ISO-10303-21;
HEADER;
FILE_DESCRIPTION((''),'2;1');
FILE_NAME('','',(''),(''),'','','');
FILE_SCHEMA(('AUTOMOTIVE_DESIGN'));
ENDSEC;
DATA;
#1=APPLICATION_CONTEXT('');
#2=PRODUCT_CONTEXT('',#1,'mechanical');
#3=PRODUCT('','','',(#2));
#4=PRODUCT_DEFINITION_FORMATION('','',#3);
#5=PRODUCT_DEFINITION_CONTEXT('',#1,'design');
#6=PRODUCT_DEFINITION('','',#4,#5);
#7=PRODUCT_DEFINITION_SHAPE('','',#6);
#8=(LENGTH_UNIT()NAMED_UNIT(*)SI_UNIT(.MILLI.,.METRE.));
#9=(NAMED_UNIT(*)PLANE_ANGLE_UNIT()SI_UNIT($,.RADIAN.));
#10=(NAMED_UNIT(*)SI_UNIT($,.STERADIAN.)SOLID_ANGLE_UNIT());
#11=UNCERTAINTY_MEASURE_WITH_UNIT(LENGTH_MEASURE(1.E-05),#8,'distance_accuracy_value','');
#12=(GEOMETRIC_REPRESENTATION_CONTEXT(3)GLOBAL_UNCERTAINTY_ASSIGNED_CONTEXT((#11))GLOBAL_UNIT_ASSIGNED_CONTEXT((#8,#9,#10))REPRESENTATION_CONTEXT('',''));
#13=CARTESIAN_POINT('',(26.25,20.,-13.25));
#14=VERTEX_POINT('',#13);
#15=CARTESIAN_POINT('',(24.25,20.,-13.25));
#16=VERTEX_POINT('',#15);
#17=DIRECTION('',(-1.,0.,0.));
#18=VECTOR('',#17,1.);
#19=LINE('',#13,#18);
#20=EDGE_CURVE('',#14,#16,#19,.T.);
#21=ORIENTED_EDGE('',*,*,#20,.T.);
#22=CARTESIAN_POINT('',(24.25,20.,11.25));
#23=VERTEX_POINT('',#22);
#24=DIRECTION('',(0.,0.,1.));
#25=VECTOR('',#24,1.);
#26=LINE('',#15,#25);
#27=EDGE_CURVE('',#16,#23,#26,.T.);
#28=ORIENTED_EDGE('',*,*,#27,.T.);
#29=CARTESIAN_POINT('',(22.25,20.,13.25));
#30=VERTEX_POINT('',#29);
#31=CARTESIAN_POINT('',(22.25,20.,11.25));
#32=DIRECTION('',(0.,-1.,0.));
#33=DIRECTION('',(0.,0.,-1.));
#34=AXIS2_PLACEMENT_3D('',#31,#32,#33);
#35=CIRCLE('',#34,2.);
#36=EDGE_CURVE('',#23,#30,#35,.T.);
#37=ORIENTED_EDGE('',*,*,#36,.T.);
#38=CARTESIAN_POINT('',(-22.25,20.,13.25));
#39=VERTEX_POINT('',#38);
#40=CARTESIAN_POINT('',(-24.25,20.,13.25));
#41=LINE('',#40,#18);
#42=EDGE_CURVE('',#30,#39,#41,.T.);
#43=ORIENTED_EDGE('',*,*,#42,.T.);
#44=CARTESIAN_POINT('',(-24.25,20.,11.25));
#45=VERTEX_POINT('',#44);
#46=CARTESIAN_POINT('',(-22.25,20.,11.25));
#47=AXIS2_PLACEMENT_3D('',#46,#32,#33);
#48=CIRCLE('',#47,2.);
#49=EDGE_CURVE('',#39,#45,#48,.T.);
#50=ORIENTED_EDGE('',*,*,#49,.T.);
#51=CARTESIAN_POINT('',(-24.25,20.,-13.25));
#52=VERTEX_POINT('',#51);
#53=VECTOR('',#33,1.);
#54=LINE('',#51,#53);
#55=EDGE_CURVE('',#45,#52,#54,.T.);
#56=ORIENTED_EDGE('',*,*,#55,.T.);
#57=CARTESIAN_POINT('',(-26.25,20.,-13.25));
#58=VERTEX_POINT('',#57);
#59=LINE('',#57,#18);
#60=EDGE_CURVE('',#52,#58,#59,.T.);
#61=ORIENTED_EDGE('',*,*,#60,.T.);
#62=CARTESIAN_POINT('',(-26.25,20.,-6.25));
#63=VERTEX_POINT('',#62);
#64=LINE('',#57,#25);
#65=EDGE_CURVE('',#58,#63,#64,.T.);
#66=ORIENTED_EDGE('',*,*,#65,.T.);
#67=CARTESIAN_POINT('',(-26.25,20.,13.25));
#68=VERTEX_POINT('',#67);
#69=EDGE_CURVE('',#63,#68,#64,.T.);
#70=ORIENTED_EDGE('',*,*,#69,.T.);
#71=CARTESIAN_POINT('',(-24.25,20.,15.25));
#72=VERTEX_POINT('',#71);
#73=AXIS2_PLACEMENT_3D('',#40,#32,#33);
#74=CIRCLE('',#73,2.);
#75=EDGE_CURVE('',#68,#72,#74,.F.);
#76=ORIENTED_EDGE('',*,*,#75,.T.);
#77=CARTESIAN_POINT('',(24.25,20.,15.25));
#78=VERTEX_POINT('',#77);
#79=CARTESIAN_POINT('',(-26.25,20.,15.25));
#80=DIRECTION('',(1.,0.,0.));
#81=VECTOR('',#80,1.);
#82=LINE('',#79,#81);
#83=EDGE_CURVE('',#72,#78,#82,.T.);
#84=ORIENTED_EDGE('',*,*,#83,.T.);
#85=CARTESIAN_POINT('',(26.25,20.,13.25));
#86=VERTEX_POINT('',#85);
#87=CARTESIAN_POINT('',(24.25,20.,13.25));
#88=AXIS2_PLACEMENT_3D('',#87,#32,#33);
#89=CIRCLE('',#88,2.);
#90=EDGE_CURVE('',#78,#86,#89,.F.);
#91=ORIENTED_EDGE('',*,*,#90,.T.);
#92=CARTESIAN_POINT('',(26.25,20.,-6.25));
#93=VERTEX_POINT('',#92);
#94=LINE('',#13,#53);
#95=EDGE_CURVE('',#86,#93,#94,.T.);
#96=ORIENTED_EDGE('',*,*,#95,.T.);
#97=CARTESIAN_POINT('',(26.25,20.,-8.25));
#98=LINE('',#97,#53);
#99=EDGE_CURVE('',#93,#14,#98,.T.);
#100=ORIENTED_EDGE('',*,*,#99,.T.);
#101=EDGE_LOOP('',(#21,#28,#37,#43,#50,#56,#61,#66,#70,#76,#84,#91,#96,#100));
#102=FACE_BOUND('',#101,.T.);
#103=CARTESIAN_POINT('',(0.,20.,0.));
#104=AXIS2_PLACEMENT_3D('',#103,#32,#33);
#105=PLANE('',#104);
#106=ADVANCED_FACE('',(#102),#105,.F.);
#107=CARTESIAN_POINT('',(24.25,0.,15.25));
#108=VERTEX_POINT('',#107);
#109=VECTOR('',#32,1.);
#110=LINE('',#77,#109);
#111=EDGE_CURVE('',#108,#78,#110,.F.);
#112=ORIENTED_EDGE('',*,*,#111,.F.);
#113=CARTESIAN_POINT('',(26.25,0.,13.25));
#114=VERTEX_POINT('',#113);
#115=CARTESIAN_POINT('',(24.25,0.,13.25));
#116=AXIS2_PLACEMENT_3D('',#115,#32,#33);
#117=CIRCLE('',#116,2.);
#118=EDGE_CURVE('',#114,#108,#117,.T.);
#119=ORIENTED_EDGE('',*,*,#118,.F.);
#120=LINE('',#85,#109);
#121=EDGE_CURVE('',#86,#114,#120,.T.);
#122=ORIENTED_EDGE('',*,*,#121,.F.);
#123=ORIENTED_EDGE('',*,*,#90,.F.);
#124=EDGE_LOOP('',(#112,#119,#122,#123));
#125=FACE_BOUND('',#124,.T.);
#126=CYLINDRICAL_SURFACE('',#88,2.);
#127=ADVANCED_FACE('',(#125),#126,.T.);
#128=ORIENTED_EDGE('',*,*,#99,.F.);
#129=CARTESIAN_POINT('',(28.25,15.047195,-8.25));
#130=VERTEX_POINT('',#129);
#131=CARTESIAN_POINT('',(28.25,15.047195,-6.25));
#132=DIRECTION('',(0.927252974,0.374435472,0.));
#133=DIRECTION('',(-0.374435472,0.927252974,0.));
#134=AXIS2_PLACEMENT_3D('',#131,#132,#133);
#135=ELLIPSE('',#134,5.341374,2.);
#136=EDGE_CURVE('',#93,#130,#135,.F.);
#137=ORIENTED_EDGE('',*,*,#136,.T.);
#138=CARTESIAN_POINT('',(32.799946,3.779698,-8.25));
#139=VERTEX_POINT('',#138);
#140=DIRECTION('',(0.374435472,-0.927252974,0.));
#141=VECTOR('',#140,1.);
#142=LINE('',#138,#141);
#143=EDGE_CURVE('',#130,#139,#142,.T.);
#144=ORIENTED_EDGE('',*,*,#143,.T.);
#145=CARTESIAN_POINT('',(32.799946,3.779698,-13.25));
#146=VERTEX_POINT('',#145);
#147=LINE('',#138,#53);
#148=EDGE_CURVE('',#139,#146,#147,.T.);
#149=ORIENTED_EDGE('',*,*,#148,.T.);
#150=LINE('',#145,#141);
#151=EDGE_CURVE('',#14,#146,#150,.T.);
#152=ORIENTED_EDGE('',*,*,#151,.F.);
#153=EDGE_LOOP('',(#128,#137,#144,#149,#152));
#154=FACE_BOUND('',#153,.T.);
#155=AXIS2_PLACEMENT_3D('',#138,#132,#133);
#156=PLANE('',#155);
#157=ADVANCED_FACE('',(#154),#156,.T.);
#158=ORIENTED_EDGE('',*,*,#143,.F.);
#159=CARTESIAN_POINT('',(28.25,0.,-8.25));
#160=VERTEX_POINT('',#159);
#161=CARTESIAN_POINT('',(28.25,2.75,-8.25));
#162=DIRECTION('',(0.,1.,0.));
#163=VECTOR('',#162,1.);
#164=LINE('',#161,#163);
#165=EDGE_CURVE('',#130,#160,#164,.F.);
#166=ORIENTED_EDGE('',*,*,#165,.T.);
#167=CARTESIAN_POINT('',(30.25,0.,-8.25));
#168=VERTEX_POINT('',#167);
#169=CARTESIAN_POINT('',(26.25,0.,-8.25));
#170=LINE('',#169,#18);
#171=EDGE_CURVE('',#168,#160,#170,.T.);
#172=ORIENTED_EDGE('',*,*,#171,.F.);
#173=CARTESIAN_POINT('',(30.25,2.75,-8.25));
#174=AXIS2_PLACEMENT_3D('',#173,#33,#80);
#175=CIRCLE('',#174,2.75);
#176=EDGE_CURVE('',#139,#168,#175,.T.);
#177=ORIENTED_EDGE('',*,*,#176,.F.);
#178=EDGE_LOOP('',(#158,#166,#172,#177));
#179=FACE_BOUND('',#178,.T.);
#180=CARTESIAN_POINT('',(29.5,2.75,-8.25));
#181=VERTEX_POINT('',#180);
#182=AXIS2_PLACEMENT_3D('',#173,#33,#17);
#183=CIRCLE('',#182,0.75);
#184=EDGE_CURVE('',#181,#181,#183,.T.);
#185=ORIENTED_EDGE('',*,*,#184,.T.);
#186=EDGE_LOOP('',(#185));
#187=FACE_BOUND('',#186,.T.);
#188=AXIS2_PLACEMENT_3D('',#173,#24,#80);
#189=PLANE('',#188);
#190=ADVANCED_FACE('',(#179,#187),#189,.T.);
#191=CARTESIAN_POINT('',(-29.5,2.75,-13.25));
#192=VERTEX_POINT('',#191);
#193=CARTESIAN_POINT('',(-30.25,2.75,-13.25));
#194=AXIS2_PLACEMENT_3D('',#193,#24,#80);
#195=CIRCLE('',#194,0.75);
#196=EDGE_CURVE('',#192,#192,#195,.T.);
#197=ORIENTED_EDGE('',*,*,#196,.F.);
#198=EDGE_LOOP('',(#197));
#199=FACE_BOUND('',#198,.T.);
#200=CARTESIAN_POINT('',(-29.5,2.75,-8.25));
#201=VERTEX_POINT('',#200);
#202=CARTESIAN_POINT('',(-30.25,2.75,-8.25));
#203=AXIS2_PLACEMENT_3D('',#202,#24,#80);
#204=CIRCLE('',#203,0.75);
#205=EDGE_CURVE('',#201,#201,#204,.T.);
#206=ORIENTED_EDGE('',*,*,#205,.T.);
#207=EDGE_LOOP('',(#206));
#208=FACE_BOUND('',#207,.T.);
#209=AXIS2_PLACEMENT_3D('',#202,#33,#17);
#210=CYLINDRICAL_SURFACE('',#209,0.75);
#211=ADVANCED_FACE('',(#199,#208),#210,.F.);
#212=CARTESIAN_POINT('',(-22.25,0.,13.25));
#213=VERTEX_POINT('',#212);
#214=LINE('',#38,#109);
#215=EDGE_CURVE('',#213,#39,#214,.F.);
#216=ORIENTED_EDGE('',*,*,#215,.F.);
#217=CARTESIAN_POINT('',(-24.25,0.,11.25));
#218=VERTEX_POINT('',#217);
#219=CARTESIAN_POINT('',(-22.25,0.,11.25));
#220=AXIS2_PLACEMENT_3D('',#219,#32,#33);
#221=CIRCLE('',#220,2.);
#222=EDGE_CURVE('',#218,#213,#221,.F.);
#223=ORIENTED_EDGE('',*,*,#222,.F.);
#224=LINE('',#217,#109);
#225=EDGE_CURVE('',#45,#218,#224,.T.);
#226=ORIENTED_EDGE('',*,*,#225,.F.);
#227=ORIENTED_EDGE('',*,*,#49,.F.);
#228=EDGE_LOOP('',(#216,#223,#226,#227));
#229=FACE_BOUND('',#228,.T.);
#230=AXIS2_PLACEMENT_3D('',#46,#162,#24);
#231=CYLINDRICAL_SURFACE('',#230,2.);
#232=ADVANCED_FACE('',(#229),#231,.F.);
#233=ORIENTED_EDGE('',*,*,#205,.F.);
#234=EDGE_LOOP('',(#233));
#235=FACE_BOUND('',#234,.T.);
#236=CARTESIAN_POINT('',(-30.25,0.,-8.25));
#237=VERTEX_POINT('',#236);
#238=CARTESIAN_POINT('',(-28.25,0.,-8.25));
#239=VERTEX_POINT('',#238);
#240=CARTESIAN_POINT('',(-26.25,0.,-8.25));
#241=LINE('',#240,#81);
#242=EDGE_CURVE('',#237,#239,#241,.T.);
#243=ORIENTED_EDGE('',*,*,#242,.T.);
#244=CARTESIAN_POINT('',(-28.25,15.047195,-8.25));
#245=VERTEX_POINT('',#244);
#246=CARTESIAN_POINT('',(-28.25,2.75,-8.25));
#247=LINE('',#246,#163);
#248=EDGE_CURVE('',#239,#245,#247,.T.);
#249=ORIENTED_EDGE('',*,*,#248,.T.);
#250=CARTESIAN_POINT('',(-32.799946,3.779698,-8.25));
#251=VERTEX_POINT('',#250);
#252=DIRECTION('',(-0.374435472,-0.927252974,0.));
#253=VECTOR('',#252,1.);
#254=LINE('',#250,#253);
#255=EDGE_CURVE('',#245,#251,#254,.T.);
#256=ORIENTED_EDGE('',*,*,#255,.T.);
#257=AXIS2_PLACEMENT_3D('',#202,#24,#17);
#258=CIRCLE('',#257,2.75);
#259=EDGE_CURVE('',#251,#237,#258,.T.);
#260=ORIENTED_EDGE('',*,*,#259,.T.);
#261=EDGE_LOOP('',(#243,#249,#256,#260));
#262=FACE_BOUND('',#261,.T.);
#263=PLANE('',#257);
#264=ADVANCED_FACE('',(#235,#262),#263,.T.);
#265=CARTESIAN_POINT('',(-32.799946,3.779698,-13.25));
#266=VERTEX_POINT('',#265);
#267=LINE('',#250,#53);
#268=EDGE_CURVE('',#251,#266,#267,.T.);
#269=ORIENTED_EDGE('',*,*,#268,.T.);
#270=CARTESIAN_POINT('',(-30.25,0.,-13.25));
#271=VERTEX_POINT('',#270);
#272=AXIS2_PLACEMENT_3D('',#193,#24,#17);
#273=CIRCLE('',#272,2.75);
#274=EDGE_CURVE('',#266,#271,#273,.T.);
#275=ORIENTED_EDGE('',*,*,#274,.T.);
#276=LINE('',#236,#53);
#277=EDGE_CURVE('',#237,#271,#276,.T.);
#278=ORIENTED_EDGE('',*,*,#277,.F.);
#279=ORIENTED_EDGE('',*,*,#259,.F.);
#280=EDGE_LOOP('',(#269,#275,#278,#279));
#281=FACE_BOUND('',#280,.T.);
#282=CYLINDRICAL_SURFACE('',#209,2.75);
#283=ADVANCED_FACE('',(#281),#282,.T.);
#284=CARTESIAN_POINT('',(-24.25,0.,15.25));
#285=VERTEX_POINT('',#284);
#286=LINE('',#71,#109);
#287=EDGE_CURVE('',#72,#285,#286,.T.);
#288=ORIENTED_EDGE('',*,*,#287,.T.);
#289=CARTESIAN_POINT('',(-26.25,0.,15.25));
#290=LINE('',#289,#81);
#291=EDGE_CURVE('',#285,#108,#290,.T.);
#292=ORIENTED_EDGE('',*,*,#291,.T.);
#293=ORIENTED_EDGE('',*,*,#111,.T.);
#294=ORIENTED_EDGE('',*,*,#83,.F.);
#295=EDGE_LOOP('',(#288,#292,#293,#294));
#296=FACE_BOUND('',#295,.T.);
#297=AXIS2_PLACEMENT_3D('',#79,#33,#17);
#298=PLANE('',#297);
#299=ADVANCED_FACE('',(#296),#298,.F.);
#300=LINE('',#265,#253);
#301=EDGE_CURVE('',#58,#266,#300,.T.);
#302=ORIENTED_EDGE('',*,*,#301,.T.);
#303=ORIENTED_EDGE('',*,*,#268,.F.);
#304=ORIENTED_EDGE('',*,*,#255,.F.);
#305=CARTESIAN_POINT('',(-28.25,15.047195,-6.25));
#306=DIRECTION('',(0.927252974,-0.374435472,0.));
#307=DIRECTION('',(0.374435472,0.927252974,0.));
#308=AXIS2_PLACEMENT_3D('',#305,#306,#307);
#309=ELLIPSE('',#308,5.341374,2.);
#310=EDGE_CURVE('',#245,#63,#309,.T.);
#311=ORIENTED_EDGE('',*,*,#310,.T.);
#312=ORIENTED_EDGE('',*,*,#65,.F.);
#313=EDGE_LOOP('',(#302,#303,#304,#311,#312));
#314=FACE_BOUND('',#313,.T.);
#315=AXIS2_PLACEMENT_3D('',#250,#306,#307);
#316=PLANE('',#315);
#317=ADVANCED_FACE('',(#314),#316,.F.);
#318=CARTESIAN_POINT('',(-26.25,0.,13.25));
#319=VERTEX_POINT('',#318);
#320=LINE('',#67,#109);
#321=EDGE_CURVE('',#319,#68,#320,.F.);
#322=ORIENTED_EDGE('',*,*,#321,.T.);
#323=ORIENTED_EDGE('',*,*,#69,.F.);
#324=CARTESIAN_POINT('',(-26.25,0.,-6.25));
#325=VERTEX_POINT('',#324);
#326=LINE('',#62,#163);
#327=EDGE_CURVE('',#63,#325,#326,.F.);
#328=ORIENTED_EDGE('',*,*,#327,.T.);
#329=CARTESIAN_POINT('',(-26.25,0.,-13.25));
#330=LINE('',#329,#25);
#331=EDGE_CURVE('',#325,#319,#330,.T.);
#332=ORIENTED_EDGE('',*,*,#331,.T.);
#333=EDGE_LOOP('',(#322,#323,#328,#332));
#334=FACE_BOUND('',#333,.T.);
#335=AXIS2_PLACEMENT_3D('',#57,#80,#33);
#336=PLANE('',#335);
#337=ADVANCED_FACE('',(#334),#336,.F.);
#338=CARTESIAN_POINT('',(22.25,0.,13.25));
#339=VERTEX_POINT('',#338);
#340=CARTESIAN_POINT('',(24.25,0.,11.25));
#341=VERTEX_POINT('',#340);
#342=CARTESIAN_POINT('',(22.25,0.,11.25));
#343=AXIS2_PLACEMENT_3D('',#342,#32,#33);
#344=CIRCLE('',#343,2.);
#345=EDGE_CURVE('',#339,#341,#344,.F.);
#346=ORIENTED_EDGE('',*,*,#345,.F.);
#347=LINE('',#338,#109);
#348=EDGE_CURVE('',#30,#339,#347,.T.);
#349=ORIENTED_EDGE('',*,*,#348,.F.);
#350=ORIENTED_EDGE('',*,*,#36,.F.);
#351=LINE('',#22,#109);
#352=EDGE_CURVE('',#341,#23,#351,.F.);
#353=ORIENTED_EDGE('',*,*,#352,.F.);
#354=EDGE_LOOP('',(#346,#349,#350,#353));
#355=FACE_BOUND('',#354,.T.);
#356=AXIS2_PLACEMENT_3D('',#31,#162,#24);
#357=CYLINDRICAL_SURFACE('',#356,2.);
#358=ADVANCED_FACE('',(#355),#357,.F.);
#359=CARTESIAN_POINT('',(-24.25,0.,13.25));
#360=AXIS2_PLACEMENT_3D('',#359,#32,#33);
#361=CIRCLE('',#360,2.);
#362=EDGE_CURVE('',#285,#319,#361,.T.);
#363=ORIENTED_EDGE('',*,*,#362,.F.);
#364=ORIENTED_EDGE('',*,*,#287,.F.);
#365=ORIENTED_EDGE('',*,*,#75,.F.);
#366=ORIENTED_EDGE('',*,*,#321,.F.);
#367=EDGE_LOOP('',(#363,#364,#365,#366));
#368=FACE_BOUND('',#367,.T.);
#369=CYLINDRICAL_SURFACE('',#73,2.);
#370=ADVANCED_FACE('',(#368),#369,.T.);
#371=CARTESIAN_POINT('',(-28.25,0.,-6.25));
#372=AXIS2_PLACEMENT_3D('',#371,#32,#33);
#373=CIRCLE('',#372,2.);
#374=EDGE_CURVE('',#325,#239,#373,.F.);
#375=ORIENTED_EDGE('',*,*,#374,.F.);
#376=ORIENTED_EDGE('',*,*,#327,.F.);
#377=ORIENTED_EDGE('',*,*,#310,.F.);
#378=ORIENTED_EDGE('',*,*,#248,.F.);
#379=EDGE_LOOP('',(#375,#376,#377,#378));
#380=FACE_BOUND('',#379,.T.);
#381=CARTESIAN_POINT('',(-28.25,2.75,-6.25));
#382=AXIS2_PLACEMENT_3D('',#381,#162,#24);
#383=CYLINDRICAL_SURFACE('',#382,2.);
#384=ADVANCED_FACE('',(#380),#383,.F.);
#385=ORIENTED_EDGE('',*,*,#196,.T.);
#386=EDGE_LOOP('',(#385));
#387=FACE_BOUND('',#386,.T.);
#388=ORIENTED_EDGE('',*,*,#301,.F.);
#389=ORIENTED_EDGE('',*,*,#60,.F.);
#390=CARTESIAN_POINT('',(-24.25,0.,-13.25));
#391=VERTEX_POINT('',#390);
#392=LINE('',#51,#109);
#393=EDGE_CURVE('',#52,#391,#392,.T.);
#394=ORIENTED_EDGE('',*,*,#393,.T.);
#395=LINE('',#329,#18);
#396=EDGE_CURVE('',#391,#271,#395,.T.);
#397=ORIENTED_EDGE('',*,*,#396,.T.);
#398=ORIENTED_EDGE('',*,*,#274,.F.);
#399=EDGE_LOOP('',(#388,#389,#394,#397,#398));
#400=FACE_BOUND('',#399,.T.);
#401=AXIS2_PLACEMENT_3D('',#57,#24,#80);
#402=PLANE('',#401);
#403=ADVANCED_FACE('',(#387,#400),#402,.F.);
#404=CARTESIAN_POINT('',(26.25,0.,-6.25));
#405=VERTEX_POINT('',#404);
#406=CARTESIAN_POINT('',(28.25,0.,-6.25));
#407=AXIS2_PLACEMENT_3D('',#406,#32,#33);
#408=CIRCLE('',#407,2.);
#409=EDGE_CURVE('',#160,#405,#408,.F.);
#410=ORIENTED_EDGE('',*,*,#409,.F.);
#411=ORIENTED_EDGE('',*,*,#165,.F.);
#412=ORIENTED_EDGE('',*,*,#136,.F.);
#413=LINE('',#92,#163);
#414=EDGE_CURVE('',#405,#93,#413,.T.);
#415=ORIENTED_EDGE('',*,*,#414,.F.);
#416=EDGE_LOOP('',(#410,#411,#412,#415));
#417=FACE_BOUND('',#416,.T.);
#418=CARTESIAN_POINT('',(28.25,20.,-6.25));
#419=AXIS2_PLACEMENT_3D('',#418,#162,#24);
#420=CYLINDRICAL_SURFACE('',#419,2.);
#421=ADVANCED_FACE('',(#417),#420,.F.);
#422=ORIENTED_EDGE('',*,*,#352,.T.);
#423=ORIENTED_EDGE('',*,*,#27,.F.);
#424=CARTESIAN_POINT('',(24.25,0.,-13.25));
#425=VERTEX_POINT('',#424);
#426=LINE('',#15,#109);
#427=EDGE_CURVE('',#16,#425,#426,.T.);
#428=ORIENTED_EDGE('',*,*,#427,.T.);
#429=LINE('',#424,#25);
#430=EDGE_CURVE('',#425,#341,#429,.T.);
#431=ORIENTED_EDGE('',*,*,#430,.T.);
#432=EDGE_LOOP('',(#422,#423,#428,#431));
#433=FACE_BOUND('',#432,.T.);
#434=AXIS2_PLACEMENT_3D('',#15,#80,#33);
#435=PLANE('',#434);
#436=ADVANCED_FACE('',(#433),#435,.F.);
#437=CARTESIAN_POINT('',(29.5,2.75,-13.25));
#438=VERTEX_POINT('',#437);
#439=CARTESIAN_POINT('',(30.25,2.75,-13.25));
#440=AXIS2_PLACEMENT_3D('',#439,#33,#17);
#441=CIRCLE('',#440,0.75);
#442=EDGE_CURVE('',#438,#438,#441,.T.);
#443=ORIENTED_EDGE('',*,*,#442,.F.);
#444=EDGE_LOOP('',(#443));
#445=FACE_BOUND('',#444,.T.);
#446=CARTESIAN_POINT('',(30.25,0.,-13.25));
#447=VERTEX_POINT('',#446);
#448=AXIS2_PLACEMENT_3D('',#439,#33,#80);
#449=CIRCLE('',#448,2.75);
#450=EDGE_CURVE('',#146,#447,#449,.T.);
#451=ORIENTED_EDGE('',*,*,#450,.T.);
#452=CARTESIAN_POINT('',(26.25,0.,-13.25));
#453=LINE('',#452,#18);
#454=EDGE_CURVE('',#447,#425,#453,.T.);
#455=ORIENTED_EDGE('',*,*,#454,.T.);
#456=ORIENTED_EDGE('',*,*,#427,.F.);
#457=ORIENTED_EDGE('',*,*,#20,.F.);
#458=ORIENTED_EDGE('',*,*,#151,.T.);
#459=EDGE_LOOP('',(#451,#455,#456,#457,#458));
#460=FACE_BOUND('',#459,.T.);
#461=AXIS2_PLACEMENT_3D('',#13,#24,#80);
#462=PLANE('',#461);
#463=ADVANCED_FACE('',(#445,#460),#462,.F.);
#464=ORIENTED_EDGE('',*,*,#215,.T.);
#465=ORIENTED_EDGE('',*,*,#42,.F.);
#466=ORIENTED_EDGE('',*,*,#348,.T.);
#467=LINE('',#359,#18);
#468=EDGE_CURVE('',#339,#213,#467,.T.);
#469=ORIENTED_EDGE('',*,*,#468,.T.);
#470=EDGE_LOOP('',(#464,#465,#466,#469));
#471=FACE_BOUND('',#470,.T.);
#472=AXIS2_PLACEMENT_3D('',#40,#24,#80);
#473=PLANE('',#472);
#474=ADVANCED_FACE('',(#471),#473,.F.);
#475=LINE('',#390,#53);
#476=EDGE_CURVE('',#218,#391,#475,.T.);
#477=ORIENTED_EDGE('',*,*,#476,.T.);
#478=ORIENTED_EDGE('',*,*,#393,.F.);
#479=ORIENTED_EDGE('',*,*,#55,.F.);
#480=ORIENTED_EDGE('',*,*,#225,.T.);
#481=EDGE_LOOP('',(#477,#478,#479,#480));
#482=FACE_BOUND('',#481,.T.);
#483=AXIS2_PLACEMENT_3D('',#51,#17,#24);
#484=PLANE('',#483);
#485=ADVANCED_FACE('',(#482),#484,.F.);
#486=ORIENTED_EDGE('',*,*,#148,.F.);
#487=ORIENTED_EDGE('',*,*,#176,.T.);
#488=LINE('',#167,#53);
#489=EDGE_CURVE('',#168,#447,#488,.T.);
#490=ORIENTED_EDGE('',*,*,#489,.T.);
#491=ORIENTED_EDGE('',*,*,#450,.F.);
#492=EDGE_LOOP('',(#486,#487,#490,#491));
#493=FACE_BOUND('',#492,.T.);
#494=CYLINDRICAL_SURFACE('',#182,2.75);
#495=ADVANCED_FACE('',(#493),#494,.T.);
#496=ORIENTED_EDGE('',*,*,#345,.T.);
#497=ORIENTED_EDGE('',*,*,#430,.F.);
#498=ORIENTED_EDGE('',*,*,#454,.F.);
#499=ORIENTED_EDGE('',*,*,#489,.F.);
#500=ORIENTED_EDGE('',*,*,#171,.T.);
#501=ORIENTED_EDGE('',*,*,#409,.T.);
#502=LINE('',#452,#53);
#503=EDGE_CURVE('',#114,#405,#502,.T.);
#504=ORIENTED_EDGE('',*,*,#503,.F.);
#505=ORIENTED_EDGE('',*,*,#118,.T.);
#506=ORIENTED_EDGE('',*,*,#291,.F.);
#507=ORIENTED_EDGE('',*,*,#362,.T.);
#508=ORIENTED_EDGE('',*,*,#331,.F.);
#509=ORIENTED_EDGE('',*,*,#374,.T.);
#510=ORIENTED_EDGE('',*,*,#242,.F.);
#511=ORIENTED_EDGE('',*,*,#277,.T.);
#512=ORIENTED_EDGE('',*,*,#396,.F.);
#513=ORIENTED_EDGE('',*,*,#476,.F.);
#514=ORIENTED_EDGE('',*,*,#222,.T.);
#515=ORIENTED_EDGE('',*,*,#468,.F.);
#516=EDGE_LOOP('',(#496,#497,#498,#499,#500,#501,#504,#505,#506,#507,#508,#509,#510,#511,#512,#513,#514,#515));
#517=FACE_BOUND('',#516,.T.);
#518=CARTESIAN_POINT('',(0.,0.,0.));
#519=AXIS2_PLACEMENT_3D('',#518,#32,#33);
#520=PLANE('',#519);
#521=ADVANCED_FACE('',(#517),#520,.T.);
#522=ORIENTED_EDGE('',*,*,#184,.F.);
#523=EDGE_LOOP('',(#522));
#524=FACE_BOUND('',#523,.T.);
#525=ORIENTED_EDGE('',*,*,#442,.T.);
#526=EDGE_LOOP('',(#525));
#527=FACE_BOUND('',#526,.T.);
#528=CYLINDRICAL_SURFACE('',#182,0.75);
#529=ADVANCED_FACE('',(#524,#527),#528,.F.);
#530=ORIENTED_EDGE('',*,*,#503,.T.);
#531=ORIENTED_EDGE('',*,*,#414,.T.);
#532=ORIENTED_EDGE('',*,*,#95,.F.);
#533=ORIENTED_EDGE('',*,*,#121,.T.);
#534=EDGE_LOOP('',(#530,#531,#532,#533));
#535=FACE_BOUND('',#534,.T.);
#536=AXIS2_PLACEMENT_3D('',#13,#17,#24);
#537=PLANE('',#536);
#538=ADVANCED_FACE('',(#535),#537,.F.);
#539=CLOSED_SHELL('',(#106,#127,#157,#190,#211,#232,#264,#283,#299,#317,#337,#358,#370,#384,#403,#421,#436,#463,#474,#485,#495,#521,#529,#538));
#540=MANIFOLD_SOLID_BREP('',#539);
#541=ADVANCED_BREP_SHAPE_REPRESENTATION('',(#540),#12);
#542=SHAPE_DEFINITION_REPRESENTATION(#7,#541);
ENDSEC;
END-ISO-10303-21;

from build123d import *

# Parameters (mm, degrees)
BOSS_EXTRUDE1_DEPTH = 20
FILLET1_R           = 2
SKETCH2_R           = 0.75
BOSS_EXTRUDE2_DEPTH = 5
FILLET2_R           = 2


with BuildPart() as part:
    # Sketch1 → Boss-Extrude1 (new body)
    with BuildSketch(Plane(origin=(0, 0, 0), x_dir=(1, 0, 0), z_dir=(0, 1, 0))):
        Polygon((26.25, 13.25), (26.25, -15.25), (-26.25, -15.25), (-26.25, 13.25), (-24.25, 13.25), (-24.25, -13.25), (24.25, -13.25), (24.25, 13.25), align=None)
    extrude(amount=BOSS_EXTRUDE1_DEPTH)

    # Fillet1
    fillet1_edges = [part.edges().sort_by_distance(p)[0] for p in [
        (-24.25, 10, 13.25),
        (24.25, 10, 13.25),
        (26.25, 10, 15.25),
        (-26.25, 10, 15.25),
    ]]
    fillet(fillet1_edges, radius=FILLET1_R)

    # Sketch2 → Boss-Extrude2 (add)
    with BuildSketch(Plane(origin=(0, 0, -13.25), x_dir=(-1, 0, 0), z_dir=(0, 0, -1))):
        with BuildLine():
            Line((-26.25, 0), (-30.25, 0))
            ThreePointArc((-30.25, 0), (-32.529711414, 1.212009145), (-32.799945678, 3.779697548))
            Line((-32.799945678, 3.779697548), (-26.25, 20))
            Line((-26.25, 20), (-26.25, 0))
        make_face()
        with Locations((-30.25, 2.75)):
            Circle(SKETCH2_R, mode=Mode.SUBTRACT)
    boss_extrude2 = extrude(amount=-BOSS_EXTRUDE2_DEPTH)

    # Mirror1: Boss-Extrude2 across plane
    add(boss_extrude2.mirror(Plane(origin=(0, 0, 0), x_dir=(0, 0, 1), z_dir=(1, 0, 0))))

    # Fillet2
    fillet2_edges = [part.edges().sort_by_distance(p)[0] for p in [
        (26.25, 10, -8.25),
        (-26.25, 10, -8.25),
    ]]
    fillet(fillet2_edges, radius=FILLET2_R)


solid = part.part
